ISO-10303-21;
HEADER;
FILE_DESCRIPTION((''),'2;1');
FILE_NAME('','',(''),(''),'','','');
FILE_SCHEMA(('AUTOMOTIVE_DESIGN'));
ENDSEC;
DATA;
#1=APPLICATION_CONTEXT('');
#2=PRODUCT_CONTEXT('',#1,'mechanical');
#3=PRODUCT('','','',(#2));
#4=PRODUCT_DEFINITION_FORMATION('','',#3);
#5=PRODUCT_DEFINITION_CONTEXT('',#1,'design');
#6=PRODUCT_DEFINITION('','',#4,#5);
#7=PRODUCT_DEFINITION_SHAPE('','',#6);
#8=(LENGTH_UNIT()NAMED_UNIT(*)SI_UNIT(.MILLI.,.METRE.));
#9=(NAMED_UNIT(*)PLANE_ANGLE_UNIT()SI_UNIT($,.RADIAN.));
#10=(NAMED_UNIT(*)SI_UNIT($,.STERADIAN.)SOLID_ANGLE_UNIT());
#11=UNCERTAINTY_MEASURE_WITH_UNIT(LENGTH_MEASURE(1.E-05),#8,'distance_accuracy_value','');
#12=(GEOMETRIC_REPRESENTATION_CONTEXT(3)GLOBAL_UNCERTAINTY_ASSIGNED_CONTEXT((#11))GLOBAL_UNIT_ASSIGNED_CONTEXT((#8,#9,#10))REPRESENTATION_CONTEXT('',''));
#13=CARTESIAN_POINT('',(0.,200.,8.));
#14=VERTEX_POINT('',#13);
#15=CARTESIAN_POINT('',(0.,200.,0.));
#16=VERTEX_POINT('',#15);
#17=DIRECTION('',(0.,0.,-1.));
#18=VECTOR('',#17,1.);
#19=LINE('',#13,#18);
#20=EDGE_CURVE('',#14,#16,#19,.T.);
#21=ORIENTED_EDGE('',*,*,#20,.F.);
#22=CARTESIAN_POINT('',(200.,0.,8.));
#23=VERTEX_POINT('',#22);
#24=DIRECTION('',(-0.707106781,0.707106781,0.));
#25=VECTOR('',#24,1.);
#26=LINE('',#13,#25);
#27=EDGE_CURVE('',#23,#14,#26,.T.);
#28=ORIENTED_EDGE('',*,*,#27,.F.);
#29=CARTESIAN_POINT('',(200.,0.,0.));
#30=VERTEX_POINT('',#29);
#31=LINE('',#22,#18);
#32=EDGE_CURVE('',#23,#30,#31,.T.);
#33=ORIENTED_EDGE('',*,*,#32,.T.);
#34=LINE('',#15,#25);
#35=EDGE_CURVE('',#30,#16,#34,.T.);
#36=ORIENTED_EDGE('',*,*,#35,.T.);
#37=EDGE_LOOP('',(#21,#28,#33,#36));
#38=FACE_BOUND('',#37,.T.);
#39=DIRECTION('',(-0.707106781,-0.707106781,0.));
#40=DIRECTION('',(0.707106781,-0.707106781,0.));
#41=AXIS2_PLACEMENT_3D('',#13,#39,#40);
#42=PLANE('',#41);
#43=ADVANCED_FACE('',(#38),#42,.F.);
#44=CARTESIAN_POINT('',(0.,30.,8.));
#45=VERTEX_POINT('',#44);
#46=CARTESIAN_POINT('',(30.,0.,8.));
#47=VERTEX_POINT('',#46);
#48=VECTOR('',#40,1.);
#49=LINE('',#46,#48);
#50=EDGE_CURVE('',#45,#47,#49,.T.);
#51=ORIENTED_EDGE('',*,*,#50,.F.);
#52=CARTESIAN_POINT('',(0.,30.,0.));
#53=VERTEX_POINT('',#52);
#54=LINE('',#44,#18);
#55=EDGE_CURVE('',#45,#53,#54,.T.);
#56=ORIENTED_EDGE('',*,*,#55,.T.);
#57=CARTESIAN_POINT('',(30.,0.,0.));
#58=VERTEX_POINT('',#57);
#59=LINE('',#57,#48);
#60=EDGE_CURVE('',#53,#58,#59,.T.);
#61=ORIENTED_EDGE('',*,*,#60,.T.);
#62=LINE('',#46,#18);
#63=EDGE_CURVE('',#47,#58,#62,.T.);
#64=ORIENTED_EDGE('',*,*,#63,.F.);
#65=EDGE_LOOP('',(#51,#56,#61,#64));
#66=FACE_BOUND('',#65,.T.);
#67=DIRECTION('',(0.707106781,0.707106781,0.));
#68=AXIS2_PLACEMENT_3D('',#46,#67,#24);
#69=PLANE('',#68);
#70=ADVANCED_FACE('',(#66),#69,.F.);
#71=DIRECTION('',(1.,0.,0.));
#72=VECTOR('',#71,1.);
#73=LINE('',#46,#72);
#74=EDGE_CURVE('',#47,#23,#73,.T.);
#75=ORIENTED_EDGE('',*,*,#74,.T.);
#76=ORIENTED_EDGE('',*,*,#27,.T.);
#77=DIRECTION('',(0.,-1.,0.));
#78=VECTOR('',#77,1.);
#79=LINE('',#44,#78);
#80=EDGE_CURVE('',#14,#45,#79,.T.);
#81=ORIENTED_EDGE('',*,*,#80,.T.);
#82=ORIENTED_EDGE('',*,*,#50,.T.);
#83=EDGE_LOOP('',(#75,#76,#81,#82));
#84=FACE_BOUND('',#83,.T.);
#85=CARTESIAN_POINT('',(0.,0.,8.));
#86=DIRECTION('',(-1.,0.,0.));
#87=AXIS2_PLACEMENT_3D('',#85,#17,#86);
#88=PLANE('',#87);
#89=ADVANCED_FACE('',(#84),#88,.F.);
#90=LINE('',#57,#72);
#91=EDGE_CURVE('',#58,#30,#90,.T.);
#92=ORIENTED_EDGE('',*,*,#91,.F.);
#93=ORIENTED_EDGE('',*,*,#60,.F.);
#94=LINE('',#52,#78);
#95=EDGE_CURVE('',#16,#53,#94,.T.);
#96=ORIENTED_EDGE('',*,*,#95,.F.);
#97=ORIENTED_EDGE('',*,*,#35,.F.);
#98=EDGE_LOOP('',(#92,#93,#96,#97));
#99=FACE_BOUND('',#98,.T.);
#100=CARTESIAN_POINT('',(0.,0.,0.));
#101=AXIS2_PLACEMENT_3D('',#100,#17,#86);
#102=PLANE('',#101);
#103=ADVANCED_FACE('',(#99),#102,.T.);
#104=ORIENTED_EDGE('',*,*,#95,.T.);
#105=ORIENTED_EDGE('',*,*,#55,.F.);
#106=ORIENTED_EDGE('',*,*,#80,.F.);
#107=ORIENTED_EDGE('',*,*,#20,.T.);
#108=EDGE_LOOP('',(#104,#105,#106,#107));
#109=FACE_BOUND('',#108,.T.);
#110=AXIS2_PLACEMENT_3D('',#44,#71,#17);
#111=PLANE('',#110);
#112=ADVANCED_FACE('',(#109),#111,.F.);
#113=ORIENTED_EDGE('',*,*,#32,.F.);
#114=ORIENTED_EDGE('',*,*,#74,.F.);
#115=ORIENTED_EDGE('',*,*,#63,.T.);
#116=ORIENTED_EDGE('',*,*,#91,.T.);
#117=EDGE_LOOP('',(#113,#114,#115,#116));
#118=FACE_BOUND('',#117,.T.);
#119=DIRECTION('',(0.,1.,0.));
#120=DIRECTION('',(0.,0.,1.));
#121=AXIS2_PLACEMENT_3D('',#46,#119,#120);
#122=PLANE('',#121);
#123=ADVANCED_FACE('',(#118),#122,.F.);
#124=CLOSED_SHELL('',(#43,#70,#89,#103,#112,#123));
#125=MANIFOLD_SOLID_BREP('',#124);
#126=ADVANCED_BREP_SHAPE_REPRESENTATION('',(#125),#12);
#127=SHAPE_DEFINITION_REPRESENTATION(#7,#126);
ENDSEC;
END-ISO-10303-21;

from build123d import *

# Parameters (mm, degrees)
BASE_EXTRUSION_DEPTH = 8


with BuildPart() as part:
    # Esquisse1 → Base-Extrusion (new body)
    with BuildSketch(Plane.XY):
        Polygon((0, 200), (200, 0), (30, 0), (0, 30), align=None)
    extrude(amount=BASE_EXTRUSION_DEPTH)


solid = part.part
